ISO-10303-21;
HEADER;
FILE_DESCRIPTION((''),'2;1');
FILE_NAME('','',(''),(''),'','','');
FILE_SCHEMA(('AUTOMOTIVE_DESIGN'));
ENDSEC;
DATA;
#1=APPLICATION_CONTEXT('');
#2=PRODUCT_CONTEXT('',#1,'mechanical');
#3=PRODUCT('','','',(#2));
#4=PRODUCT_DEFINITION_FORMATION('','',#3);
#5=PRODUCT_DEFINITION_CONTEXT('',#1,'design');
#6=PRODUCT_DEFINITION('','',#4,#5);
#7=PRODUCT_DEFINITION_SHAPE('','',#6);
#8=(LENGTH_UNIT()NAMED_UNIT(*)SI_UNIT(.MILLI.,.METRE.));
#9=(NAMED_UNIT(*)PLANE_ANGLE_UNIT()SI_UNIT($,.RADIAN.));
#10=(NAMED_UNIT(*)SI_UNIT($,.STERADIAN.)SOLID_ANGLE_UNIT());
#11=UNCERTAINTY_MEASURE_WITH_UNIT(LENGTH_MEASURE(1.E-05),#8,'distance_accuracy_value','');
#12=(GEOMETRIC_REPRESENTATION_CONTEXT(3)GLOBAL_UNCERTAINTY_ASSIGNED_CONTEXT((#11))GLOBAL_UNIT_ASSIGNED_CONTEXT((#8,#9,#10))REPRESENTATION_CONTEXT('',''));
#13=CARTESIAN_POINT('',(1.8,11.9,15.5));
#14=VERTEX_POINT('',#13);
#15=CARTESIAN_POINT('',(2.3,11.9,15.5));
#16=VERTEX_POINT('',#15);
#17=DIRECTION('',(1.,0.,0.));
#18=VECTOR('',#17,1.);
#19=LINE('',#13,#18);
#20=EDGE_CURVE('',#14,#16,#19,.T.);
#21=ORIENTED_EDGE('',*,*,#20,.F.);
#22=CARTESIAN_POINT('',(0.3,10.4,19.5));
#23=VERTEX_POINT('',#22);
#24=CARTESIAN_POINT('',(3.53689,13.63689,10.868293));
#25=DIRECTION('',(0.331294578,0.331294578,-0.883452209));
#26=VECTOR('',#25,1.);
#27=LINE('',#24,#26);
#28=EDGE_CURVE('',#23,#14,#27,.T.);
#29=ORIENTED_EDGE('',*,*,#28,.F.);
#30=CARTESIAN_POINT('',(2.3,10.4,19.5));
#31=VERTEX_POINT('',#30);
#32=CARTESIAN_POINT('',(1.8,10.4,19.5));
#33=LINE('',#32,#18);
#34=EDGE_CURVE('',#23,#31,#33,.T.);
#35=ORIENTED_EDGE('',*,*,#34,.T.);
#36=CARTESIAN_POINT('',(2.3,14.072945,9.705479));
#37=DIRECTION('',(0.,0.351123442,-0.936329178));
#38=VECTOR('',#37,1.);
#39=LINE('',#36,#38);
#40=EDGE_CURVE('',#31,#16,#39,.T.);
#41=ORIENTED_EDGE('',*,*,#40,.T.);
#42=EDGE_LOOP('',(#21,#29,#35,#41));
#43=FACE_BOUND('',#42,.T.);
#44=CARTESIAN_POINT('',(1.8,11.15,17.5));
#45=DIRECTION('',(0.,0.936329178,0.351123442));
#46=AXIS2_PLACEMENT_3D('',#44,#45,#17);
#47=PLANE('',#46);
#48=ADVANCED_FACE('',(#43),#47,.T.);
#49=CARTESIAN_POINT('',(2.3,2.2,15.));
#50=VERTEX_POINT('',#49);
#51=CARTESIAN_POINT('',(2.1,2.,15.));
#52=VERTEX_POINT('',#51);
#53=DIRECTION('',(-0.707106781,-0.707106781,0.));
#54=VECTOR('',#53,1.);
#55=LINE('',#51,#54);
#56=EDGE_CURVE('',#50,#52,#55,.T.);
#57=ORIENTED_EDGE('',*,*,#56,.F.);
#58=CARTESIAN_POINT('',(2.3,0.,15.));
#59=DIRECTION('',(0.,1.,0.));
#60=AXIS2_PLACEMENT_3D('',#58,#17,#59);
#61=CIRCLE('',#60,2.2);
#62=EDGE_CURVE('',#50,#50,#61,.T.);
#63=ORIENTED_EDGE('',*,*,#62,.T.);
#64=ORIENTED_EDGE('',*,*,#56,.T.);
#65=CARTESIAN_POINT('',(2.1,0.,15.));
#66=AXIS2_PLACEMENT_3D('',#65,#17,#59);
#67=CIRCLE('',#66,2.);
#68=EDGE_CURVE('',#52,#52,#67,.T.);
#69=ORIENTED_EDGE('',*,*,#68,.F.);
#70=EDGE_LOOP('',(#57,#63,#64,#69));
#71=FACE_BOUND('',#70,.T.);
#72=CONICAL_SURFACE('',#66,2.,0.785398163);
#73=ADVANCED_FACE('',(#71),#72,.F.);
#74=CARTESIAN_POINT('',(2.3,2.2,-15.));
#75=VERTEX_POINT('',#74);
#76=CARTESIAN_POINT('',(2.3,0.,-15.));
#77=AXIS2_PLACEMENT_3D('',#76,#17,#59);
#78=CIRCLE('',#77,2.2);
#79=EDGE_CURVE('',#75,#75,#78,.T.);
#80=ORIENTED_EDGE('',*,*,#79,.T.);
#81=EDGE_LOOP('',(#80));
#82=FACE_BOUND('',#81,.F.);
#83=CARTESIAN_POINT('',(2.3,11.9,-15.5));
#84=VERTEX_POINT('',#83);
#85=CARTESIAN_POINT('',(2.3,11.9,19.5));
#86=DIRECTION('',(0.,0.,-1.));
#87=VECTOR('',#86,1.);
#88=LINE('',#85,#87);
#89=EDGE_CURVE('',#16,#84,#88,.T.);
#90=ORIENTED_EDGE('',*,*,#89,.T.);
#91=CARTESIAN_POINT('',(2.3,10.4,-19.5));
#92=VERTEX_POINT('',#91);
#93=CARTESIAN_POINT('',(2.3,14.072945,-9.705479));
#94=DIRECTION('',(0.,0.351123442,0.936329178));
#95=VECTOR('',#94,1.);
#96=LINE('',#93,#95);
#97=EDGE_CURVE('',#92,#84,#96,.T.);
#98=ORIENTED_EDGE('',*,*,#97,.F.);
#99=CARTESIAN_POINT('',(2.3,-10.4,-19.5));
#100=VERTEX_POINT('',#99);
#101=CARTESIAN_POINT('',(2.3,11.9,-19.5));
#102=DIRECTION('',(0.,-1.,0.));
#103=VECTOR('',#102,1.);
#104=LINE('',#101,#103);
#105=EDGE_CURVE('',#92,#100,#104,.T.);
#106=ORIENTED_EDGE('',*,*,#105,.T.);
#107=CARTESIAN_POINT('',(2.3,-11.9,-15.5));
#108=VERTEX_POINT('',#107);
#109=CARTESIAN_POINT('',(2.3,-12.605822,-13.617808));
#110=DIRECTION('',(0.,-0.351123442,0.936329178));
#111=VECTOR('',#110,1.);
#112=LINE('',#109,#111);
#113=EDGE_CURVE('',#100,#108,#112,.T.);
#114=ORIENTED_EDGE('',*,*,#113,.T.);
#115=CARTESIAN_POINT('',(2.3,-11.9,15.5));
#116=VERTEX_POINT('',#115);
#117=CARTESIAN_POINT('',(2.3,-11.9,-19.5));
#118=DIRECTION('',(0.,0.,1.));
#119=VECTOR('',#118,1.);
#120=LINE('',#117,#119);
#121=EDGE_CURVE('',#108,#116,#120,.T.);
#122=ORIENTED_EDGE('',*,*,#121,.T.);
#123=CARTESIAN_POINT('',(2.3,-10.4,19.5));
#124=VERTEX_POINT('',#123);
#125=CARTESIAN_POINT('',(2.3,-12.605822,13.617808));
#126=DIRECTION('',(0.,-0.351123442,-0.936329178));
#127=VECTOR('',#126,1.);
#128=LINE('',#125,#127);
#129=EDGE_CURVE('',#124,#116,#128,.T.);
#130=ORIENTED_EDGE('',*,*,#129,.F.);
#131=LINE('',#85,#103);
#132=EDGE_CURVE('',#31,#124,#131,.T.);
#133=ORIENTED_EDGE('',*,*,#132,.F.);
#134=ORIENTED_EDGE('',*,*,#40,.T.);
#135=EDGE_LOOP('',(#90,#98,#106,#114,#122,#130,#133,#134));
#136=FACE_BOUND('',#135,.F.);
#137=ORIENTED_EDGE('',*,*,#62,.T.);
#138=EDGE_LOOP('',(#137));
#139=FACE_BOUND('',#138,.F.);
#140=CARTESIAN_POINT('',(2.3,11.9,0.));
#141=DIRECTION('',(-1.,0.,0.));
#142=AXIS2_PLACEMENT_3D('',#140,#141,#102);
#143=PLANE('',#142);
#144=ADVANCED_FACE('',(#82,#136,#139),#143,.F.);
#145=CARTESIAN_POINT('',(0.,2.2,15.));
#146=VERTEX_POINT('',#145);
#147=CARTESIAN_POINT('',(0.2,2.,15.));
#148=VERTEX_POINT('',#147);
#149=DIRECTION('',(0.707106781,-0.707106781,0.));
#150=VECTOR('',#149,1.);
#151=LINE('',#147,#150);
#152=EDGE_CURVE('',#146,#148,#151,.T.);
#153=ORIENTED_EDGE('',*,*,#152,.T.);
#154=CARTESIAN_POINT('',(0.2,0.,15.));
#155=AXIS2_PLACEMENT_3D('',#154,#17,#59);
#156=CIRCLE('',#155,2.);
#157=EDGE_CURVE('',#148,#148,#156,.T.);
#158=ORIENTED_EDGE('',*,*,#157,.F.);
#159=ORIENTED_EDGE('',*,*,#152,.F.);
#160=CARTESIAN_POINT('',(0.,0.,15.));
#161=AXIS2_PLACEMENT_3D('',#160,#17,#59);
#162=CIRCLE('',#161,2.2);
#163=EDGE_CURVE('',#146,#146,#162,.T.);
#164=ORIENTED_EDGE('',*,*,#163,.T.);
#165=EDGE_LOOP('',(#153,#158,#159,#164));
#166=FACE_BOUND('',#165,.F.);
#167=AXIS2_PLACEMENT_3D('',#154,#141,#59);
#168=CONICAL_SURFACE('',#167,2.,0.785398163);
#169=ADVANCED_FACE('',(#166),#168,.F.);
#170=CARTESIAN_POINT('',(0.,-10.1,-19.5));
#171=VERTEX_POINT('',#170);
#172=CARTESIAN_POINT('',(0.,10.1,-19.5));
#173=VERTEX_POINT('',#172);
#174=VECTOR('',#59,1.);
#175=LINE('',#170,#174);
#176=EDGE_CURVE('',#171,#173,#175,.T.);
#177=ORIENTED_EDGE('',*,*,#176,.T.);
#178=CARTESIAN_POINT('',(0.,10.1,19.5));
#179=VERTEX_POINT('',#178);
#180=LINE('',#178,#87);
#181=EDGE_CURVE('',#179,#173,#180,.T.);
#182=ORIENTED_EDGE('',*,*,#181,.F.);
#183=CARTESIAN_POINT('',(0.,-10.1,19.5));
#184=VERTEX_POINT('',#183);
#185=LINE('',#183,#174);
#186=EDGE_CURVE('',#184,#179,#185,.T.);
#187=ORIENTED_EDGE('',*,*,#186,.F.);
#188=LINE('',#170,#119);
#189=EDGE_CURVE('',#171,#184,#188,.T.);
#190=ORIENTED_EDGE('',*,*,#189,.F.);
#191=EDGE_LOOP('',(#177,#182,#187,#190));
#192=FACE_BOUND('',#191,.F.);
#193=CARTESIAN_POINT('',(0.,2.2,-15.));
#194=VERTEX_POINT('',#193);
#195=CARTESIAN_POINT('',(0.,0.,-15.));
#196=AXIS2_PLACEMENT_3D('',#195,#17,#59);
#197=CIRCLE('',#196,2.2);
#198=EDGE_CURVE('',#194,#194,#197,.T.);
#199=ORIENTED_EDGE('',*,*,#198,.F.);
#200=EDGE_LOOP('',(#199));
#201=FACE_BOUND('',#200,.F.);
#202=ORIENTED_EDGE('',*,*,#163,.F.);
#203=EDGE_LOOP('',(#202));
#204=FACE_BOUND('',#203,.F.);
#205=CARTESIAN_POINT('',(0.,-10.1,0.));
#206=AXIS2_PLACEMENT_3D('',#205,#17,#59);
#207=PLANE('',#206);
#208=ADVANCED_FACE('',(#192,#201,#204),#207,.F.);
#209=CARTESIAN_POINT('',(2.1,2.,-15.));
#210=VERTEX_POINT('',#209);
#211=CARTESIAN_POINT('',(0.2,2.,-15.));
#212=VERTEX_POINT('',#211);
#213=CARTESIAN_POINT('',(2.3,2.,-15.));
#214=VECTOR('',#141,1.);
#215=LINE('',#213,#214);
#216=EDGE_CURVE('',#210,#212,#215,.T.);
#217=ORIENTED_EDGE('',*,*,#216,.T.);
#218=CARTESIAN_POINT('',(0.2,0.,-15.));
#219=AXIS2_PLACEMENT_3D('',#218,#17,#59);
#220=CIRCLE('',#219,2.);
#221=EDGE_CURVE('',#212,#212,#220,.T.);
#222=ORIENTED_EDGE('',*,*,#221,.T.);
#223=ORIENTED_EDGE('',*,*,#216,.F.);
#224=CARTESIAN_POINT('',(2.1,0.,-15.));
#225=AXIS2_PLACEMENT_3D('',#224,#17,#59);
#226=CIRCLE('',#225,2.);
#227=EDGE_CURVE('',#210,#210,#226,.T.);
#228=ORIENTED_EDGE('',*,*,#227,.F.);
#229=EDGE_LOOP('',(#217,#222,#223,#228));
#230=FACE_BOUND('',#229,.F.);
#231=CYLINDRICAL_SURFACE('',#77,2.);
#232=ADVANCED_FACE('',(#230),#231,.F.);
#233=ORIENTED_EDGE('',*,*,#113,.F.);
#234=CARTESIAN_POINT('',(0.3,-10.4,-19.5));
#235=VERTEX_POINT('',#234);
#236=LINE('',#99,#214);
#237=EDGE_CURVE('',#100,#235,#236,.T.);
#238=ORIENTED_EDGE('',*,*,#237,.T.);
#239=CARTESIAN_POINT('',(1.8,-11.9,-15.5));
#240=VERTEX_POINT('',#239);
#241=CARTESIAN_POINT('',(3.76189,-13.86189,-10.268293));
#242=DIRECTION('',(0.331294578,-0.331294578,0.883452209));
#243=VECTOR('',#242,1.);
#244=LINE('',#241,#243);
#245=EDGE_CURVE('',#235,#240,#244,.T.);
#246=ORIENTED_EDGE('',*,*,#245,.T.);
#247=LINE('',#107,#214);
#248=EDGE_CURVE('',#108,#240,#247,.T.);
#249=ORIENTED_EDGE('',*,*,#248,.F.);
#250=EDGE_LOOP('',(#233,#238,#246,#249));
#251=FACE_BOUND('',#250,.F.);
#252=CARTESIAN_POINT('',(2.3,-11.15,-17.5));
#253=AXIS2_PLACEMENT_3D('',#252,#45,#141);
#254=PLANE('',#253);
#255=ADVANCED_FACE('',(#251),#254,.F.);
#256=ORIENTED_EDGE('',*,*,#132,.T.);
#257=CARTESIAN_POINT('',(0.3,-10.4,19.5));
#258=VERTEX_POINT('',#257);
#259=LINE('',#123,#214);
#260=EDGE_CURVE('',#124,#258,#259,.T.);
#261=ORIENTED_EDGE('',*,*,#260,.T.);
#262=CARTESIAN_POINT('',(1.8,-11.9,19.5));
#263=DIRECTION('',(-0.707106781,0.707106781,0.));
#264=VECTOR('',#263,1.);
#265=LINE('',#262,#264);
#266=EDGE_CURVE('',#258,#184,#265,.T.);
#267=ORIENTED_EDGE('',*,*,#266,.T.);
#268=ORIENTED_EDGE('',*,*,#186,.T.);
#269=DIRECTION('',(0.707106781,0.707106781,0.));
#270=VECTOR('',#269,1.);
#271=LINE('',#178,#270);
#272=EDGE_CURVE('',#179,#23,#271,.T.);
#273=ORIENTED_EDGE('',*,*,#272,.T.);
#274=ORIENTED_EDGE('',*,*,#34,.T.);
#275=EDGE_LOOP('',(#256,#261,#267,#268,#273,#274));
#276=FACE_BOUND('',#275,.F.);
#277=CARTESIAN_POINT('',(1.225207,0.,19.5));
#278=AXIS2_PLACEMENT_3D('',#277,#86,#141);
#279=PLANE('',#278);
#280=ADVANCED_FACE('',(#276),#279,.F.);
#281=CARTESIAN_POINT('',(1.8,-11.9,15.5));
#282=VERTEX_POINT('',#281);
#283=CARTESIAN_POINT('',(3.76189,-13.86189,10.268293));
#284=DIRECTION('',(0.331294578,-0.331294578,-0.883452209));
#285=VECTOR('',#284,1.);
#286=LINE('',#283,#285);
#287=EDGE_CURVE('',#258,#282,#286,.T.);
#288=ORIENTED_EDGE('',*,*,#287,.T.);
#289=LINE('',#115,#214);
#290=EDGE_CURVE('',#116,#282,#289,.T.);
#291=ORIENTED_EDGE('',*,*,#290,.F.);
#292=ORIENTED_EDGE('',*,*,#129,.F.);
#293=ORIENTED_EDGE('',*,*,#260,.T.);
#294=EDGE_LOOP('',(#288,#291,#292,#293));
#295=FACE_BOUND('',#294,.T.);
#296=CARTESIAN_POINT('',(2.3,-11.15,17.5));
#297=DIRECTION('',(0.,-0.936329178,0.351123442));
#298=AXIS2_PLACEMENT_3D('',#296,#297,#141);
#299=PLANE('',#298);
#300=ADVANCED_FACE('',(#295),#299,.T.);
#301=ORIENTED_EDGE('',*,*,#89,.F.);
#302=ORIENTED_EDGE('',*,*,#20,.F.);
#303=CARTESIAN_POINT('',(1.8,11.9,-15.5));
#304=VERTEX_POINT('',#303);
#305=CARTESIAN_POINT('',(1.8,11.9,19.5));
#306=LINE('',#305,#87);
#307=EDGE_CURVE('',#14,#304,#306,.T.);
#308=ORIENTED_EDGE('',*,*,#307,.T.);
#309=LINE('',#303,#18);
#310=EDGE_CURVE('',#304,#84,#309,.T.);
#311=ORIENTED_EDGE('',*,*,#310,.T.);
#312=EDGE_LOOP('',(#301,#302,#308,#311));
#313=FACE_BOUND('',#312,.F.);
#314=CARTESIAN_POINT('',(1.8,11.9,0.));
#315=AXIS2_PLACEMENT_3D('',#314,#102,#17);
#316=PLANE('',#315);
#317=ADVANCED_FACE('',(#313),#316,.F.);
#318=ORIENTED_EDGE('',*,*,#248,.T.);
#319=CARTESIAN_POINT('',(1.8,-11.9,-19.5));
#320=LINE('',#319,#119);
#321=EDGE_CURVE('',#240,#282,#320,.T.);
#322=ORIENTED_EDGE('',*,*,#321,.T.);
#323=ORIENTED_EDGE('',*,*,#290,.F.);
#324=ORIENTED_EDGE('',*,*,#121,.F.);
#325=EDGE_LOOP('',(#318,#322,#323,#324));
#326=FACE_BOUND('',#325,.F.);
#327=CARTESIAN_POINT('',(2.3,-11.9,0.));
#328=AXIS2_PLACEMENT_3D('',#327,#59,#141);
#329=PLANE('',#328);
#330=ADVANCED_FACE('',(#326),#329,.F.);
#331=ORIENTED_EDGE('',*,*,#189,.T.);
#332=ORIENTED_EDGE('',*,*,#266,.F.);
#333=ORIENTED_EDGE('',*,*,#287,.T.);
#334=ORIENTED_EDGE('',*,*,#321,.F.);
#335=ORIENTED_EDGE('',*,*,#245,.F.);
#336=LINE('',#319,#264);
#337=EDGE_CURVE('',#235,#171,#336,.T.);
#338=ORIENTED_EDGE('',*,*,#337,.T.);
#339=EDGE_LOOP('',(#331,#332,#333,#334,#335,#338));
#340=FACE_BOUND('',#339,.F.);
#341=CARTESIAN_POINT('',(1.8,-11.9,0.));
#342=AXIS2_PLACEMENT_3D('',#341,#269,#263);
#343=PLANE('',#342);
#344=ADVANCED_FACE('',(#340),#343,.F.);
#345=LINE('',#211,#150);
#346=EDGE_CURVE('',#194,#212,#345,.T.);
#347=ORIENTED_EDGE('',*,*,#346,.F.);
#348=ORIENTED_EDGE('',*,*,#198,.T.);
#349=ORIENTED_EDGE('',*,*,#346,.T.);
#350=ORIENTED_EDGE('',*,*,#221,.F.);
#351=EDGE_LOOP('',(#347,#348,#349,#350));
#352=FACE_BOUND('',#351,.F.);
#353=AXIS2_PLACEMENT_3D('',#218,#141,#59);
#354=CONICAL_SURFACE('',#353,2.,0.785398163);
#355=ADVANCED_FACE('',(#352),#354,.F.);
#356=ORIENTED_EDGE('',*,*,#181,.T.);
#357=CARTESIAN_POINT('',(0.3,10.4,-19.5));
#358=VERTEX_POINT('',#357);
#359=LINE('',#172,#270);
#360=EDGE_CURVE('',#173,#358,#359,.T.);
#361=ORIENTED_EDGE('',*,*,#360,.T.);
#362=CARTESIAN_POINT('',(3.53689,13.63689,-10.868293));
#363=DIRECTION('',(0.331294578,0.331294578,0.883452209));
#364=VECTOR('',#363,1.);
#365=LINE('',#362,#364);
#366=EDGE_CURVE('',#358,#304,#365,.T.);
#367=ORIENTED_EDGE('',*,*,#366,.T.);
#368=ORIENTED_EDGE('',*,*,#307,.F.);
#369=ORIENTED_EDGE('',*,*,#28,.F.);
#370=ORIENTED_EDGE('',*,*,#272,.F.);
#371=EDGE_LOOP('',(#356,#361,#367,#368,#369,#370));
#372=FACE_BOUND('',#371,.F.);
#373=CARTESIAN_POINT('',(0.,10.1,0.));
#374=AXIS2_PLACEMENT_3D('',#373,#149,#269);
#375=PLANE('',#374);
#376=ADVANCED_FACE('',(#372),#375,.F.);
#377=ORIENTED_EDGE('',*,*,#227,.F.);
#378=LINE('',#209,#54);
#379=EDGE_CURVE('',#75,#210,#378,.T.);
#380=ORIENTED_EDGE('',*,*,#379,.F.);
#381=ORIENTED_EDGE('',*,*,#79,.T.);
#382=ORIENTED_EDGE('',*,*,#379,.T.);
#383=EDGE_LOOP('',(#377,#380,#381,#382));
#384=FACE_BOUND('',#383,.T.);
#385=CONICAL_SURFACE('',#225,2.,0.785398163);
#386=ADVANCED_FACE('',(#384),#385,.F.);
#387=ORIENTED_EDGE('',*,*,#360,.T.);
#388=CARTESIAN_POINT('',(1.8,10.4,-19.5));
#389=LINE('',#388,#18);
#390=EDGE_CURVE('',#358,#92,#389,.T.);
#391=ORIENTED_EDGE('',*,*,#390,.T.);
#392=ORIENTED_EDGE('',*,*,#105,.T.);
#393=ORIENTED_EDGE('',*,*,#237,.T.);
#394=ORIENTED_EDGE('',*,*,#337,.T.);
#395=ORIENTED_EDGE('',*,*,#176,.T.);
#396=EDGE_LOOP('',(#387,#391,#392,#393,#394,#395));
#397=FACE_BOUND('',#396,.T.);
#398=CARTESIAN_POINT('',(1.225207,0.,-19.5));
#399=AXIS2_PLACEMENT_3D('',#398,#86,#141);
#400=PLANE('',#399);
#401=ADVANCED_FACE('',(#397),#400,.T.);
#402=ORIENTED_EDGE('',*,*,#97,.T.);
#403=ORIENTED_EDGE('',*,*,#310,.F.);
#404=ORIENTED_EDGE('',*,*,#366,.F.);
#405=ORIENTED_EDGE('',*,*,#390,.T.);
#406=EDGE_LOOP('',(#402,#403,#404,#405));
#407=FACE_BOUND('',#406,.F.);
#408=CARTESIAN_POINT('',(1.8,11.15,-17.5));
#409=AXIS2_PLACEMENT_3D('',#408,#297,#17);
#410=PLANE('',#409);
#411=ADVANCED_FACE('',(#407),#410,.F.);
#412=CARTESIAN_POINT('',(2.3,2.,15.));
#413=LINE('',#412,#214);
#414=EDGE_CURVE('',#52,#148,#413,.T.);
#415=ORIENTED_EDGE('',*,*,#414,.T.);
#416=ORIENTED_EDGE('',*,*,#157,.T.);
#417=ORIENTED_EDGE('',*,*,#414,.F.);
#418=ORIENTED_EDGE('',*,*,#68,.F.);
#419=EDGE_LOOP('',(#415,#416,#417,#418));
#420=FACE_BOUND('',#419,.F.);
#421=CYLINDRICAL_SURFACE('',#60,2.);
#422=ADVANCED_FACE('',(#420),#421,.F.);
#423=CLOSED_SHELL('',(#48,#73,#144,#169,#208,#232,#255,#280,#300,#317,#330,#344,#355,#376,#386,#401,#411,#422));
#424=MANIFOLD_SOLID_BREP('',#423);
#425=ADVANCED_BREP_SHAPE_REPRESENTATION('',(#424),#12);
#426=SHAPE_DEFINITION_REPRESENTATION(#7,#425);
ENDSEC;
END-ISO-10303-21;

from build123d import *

# Parameters (mm, degrees)
PAD011_DEPTH       = 19.5
SKETCH016_R        = 2
POCKET003_DEPTH    = 2.3
CHAMFER006_1_SIZE2 = 4
CHAMFER006_1_SIZE  = 1.5
CHAMFER006_2_SIZE2 = 4
CHAMFER006_2_SIZE  = 1.5
CHAMFER007_SIZE    = 0.2


with BuildPart() as part:
    # Sketch015 → Pad011 (new body, symmetric)
    with BuildSketch(Plane.XY):
        Polygon((0, -10.1), (0, 10.1), (1.8, 11.9), (2.3, 11.9), (2.3, -11.9), (1.8, -11.9), align=None)
    extrude(amount=PAD011_DEPTH, both=True)

    # Sketch016 (on Face4 of Pad011) → Pocket003 (cut)
    with BuildSketch(Plane.YZ.offset(2.3)):
        with Locations((0, 15)):
            Circle(SKETCH016_R)
        with Locations((0, -15)):
            Circle(SKETCH016_R)
    extrude(amount=-POCKET003_DEPTH, mode=Mode.SUBTRACT)

    # Chamfer006 1
    chamfer006_1_edges = [part.edges().sort_by_distance(p)[0] for p in [
        (2.05, -11.9, -19.5),
        (2.05, 11.9, -19.5),
    ]]
    chamfer006_1_side = part.faces().sort_by_distance((1.184602, 0, -19.5))[0]
    chamfer(chamfer006_1_edges, length=CHAMFER006_1_SIZE, length2=CHAMFER006_1_SIZE2, reference=chamfer006_1_side)

    # Chamfer006 2
    chamfer006_2_edges = [part.edges().sort_by_distance(p)[0] for p in [
        (2.05, -11.9, 19.5),
        (2.05, 11.9, 19.5),
    ]]
    chamfer006_2_side = part.faces().sort_by_distance((1.184602, 0, 19.5))[0]
    chamfer(chamfer006_2_edges, length=CHAMFER006_2_SIZE, length2=CHAMFER006_2_SIZE2, reference=chamfer006_2_side)

    # Chamfer007
    chamfer007_edges = [part.edges().sort_by_distance(p)[0] for p in [
        (2.3, -2, -15),
        (0, -2, -15),
        (2.3, -2, 15),
        (0, -2, 15),
    ]]
    chamfer(chamfer007_edges, length=CHAMFER007_SIZE)


solid = part.part
